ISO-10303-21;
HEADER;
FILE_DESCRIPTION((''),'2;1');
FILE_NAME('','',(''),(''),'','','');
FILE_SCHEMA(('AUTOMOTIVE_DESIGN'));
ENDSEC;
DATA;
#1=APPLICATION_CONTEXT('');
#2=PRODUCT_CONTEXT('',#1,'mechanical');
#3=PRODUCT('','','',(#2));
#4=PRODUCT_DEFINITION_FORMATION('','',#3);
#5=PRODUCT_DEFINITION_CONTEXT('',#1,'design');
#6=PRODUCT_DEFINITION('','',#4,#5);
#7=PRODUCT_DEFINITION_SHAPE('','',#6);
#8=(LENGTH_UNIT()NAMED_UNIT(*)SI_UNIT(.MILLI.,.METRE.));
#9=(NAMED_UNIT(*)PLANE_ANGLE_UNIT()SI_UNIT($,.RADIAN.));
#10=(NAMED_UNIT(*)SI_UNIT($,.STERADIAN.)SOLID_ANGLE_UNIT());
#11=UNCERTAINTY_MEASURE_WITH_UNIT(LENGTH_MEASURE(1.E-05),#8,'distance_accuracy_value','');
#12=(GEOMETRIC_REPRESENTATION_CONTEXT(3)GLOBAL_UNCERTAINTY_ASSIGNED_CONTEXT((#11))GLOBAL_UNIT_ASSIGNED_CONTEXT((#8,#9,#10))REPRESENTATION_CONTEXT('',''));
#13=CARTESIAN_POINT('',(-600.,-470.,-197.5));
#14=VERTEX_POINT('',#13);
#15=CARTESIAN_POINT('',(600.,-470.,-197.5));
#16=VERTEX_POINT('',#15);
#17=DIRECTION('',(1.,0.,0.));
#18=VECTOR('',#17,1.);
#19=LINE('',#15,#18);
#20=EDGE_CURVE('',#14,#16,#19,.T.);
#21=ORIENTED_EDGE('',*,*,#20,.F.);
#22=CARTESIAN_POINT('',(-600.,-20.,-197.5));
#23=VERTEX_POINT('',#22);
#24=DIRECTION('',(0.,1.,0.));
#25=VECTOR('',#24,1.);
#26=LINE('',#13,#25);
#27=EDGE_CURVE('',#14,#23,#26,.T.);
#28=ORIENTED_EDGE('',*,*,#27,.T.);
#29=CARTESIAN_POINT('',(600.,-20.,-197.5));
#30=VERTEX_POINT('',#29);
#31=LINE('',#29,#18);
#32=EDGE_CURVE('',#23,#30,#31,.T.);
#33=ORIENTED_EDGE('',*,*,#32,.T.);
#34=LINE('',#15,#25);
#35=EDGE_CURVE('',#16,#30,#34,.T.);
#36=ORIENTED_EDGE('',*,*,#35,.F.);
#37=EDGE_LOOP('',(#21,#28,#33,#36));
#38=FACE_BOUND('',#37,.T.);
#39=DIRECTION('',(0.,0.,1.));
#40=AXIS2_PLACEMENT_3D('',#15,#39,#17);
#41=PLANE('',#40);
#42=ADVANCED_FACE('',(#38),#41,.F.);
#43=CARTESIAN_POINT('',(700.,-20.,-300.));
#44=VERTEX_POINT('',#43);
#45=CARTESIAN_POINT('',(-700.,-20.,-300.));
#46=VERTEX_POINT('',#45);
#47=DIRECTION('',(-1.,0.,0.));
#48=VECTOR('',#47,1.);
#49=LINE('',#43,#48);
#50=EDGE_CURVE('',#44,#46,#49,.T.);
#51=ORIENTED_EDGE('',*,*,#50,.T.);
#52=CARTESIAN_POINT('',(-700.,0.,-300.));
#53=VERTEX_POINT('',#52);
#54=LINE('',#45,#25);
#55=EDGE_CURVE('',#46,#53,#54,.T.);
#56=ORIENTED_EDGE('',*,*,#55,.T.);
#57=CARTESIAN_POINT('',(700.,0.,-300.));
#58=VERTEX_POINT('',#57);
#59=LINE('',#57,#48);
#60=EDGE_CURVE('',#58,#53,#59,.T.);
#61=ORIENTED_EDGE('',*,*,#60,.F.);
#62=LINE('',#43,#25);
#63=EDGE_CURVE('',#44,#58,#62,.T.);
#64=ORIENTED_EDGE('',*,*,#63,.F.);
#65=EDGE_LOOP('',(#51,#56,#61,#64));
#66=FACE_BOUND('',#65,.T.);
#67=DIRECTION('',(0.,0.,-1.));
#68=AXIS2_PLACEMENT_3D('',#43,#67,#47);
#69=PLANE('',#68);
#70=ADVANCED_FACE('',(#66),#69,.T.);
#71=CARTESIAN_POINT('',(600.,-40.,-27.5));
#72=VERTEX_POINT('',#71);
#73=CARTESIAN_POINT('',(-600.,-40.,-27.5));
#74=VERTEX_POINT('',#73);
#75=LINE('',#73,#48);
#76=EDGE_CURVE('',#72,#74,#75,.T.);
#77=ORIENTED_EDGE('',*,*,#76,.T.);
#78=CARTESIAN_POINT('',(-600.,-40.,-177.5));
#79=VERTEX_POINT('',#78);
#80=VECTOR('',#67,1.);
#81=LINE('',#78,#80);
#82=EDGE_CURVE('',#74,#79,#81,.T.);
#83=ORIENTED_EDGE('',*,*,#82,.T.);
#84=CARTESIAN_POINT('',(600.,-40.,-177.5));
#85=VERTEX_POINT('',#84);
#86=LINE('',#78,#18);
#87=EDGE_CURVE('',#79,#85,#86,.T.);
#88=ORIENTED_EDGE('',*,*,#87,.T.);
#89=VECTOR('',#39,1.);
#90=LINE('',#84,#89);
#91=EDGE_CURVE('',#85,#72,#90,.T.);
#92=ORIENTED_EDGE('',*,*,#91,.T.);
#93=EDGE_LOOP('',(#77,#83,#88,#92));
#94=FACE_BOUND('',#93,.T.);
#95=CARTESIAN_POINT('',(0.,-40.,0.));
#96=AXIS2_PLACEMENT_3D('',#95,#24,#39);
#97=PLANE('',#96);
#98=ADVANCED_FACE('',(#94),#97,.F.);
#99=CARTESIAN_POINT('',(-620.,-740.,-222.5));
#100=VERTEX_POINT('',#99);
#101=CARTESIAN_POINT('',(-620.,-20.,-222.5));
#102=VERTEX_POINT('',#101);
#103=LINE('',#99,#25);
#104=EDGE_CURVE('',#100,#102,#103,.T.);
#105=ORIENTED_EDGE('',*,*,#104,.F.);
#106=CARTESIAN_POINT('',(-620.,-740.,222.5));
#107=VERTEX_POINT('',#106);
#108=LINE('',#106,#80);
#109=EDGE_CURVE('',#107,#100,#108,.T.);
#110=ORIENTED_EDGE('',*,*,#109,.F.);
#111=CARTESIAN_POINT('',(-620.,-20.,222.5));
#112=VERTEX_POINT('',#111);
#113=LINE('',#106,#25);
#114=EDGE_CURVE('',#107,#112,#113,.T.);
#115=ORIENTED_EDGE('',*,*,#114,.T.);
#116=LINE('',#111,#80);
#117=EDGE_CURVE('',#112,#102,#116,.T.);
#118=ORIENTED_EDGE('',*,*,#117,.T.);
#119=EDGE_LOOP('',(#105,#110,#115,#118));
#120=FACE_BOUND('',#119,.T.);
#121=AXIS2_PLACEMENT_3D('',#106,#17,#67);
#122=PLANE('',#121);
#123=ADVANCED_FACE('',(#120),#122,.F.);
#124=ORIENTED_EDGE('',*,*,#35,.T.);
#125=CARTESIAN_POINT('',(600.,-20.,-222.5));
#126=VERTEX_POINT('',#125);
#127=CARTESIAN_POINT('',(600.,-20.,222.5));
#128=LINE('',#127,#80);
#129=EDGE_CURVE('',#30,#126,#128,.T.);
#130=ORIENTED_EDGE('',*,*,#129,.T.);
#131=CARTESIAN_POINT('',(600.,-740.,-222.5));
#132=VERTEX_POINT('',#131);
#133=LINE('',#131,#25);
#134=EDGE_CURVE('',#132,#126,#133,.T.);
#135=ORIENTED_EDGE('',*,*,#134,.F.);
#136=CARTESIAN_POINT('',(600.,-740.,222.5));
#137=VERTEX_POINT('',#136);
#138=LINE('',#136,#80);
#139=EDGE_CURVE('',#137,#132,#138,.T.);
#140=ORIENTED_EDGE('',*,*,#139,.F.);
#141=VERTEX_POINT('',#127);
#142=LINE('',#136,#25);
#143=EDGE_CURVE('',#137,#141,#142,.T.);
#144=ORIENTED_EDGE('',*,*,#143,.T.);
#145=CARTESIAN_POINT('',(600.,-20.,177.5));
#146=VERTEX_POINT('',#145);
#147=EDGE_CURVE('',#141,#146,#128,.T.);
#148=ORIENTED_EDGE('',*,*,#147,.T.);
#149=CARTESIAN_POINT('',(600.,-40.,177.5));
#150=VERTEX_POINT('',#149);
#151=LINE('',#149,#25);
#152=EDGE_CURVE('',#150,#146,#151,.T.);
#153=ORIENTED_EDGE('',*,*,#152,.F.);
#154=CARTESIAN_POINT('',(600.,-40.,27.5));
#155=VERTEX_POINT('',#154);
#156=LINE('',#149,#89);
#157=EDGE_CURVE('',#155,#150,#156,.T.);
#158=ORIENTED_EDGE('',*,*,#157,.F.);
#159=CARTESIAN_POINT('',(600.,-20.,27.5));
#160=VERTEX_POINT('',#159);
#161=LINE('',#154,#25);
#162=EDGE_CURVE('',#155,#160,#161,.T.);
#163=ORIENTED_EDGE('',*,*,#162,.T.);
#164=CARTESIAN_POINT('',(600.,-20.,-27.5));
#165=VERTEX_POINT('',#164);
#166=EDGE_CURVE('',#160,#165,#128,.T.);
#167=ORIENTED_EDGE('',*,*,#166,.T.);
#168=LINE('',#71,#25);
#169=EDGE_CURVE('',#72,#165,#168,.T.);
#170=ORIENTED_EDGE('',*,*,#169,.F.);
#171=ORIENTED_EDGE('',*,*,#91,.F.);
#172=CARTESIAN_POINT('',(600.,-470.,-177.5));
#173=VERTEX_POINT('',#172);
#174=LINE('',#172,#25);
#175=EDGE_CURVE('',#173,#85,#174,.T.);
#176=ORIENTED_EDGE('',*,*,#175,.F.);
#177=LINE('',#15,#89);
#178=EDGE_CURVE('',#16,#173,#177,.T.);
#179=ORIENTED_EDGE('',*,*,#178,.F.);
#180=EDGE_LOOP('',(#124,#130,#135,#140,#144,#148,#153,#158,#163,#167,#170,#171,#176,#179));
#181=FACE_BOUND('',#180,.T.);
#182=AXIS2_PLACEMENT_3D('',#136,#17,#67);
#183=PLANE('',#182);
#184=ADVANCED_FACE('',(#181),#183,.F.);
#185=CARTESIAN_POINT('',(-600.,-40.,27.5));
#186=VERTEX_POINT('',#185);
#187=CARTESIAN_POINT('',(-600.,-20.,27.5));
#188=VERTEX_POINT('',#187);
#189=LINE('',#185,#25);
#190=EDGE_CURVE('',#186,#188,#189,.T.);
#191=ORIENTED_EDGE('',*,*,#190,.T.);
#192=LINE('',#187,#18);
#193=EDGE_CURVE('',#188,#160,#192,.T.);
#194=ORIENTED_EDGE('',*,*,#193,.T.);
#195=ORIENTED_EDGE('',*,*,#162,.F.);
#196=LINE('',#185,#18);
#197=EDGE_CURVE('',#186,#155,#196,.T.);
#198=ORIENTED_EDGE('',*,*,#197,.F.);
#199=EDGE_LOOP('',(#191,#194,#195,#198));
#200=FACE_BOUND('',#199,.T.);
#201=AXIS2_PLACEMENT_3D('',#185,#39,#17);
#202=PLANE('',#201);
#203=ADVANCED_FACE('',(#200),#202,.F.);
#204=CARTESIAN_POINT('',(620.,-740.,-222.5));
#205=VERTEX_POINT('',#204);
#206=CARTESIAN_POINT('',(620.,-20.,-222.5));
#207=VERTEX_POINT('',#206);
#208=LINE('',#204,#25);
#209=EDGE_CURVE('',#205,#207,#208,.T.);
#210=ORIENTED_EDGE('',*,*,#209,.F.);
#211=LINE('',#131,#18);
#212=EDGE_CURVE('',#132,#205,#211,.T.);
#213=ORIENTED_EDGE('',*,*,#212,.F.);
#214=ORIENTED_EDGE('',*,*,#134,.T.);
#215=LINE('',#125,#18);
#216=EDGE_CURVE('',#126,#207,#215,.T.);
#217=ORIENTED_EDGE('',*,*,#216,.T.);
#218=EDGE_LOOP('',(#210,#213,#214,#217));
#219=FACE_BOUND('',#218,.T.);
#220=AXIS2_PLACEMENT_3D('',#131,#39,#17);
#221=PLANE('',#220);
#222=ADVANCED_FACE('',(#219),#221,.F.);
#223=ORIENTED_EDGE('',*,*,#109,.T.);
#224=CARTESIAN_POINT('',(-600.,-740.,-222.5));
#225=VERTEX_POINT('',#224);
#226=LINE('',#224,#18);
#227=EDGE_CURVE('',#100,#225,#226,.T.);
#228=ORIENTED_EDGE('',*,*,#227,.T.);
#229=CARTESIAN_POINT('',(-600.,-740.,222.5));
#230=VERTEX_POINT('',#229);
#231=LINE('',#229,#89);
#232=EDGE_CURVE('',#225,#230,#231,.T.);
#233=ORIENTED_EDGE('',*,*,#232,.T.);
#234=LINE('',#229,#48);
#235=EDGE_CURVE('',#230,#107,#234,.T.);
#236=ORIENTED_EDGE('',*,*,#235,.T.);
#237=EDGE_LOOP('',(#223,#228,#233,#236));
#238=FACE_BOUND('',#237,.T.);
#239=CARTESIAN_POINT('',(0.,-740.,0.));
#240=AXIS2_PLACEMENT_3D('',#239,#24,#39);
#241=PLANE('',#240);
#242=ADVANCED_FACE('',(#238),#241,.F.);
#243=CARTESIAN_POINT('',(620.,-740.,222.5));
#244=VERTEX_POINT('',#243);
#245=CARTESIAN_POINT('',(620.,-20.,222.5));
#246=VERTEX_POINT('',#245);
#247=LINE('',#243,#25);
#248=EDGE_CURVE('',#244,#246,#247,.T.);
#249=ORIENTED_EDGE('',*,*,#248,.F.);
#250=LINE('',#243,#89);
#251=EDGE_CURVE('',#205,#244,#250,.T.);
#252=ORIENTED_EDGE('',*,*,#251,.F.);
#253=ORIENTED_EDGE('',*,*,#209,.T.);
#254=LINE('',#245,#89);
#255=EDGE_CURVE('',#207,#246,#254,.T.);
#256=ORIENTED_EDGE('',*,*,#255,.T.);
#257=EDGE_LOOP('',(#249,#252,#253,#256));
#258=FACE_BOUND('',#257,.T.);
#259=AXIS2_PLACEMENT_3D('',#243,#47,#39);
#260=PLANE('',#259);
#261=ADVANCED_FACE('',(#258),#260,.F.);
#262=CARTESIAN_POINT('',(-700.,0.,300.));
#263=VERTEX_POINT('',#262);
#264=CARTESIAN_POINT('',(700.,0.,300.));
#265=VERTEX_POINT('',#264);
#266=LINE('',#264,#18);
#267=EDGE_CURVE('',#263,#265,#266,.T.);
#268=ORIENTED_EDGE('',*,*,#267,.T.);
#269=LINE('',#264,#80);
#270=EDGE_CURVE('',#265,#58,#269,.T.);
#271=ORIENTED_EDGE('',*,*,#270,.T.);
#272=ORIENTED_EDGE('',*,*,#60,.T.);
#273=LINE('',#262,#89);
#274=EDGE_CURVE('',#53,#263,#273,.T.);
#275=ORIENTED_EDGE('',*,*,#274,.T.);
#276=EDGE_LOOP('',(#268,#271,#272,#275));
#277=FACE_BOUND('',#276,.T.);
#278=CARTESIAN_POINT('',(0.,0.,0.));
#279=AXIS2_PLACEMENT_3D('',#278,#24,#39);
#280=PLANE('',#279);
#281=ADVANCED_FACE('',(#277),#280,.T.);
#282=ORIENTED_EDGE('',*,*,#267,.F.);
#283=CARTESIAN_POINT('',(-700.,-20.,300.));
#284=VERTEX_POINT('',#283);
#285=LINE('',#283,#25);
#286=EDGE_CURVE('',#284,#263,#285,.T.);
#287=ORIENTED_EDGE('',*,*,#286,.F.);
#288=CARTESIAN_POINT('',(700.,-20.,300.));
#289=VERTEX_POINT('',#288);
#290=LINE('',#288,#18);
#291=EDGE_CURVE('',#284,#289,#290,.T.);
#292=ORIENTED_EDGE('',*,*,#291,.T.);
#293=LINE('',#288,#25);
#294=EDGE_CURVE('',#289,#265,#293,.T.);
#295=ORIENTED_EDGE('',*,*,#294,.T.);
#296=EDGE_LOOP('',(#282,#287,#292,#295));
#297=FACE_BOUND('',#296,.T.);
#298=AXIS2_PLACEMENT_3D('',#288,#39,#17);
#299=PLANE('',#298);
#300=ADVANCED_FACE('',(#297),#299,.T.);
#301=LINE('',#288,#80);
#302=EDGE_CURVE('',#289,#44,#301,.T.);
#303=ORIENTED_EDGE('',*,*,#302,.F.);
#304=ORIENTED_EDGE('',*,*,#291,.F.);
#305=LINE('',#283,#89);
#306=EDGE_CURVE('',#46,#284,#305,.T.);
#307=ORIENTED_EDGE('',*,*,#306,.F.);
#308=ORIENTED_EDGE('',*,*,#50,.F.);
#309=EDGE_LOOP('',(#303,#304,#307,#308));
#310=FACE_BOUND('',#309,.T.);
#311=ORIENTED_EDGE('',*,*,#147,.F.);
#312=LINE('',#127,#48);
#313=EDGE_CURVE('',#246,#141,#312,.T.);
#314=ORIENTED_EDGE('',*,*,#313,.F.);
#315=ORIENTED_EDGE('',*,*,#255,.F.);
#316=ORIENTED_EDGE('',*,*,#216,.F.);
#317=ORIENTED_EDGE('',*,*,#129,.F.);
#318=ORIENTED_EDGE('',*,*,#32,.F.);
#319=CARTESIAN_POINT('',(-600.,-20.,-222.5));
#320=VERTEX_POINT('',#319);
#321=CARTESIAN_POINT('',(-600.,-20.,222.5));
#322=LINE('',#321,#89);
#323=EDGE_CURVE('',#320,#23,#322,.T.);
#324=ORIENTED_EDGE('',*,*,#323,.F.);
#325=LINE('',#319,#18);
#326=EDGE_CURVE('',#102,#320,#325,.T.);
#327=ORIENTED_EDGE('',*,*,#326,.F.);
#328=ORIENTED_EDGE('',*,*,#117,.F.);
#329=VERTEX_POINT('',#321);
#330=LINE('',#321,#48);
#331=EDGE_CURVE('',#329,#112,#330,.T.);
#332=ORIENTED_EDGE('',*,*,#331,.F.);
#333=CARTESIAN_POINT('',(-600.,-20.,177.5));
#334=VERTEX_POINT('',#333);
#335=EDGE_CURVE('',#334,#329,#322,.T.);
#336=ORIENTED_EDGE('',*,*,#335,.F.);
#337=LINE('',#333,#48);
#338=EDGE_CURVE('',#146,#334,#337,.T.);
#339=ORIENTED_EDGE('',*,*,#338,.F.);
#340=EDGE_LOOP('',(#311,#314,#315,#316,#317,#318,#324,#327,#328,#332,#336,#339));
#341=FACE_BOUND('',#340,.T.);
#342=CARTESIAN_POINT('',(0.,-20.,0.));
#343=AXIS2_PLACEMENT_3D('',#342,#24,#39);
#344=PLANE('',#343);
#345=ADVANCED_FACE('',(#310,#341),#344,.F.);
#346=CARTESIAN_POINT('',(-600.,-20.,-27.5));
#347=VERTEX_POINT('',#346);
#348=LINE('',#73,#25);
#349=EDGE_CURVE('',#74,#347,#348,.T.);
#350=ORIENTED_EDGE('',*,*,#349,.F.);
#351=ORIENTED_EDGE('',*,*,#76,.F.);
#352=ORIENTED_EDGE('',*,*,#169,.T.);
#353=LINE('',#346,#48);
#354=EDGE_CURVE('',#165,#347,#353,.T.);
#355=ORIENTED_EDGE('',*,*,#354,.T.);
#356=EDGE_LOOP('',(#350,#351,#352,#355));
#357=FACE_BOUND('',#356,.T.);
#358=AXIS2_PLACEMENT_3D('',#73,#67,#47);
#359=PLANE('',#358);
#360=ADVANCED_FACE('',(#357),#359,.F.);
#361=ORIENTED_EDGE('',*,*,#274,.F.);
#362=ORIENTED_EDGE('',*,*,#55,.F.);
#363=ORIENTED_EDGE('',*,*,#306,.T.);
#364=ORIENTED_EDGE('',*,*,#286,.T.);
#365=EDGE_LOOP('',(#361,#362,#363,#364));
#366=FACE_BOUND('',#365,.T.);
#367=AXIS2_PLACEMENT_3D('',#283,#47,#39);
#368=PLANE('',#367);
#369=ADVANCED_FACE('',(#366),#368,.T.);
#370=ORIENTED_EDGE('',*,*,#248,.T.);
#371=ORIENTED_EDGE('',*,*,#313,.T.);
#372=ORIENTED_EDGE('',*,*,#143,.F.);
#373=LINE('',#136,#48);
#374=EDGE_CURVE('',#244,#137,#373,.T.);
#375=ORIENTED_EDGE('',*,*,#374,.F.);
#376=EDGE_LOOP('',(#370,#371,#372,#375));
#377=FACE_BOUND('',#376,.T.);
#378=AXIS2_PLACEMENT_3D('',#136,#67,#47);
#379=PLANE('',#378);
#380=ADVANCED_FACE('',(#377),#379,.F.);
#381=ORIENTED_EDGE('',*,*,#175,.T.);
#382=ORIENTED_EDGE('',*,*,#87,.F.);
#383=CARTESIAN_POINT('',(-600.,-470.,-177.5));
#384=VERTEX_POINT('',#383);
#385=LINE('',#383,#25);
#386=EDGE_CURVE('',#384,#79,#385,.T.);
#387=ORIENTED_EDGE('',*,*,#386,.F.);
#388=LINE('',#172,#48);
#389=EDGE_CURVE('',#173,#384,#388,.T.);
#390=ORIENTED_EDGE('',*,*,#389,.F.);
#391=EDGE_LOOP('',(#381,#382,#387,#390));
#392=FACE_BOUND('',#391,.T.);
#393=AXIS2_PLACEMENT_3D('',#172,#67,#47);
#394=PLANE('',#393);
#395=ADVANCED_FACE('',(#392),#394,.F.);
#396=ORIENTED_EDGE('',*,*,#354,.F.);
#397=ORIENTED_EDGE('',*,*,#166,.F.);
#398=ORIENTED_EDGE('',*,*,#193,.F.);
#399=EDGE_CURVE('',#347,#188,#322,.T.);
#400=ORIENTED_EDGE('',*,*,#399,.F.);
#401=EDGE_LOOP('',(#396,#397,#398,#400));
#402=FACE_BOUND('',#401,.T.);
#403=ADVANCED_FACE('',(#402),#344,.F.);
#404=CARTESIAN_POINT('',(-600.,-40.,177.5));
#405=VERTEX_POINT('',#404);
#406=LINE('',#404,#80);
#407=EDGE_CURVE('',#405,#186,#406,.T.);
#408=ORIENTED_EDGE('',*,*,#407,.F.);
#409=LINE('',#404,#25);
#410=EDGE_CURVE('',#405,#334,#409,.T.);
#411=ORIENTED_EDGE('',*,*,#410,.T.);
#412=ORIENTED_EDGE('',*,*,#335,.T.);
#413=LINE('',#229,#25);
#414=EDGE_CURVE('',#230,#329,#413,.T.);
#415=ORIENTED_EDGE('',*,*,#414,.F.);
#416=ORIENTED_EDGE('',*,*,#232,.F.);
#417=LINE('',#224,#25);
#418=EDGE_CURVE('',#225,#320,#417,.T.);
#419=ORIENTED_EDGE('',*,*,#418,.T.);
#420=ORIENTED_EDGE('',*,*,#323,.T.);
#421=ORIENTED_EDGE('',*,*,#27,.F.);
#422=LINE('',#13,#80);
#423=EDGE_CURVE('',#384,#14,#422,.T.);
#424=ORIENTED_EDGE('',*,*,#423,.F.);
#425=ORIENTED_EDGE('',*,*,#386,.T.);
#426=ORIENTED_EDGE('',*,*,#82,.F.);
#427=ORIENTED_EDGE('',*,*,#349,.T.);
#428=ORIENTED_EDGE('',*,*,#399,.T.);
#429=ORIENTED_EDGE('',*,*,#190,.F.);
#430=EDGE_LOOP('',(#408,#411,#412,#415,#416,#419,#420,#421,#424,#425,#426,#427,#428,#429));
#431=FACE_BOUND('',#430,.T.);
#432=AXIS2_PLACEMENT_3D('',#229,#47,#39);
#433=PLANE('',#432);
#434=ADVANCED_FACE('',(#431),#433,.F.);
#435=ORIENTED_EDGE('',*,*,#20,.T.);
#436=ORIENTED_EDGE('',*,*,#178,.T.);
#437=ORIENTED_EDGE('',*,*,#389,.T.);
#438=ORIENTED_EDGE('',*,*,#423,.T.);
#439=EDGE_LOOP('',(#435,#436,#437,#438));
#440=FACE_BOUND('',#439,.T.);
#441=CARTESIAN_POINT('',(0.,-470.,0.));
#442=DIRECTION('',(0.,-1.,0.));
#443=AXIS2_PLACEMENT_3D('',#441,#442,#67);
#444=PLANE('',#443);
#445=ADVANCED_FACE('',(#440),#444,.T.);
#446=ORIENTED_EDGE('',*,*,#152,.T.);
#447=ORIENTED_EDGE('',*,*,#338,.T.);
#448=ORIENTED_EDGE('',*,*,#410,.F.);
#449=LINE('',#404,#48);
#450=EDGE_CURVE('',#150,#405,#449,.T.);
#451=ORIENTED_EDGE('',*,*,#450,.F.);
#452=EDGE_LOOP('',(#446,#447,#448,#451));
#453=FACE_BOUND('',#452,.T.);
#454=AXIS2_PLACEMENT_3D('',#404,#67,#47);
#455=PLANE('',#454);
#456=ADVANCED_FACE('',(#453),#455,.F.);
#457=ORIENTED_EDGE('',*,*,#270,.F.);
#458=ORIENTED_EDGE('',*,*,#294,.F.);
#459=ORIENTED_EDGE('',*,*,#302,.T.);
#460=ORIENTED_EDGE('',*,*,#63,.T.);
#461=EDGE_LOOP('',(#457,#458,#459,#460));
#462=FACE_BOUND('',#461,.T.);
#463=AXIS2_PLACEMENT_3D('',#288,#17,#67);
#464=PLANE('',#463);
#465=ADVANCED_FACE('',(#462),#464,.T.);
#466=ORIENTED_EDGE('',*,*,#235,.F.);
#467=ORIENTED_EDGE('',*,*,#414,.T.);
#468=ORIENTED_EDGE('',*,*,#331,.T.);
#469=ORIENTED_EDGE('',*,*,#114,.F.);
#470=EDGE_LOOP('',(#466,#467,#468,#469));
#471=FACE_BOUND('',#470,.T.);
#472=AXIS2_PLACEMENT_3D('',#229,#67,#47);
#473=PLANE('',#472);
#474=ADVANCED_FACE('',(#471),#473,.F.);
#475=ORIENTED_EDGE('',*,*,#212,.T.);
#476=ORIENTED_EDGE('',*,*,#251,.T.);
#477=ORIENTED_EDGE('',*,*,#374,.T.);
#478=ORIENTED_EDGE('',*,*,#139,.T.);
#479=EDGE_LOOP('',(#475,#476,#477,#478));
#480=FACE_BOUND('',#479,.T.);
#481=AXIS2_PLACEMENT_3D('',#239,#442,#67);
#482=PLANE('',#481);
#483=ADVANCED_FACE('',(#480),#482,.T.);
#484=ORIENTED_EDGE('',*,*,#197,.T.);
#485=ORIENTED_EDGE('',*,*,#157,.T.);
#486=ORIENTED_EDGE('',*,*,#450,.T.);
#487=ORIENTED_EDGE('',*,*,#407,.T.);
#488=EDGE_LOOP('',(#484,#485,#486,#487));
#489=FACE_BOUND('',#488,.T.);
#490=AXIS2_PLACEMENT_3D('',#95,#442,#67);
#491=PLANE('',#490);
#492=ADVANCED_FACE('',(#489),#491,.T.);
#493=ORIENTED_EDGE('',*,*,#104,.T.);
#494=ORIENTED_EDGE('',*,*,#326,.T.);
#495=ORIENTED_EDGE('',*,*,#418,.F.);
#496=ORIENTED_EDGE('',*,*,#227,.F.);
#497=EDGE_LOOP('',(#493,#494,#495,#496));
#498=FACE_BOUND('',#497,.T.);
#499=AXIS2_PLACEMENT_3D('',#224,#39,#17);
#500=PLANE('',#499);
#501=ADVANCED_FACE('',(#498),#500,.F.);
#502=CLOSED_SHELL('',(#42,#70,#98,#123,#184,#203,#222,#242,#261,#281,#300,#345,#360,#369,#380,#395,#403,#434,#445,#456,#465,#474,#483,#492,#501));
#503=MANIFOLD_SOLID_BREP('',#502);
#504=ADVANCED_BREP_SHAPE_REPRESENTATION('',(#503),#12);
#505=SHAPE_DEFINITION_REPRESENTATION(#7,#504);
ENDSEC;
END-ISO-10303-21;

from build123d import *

# Parameters (mm, degrees)
SKETCH1_W           = 1400
SKETCH1_H           = 600
BOSS_EXTRUDE1_DEPTH = 20
SKETCH2_W           = 20
SKETCH2_H           = 445
BOSS_EXTRUDE2_DEPTH = 720
SKETCH3_W           = 1200
SKETCH3_H           = 20
BOSS_EXTRUDE3_DEPTH = 450
SKETCH4_W           = 1200
SKETCH4_H           = 150
BOSS_EXTRUDE4_DEPTH = 20


with BuildPart() as part:
    # Sketch1 → Boss-Extrude1 (new body)
    with BuildSketch(Plane(origin=(0, 0, 0), x_dir=(1, 0, 0), z_dir=(0, 1, 0))):
        Rectangle(SKETCH1_W, SKETCH1_H)
    extrude(amount=-BOSS_EXTRUDE1_DEPTH)

    # Sketch2 → Boss-Extrude2 (add)
    with BuildSketch(Plane.XZ.offset(20)):
        with Locations((610, 0)):
            Rectangle(SKETCH2_W, SKETCH2_H)
        with Locations((-610, 0)):
            Rectangle(SKETCH2_W, SKETCH2_H)
    extrude(amount=BOSS_EXTRUDE2_DEPTH)

    # Sketch3 → Boss-Extrude3 (add)
    with BuildSketch(Plane.XZ.offset(20)):
        with Locations((0, -187.5)):
            Rectangle(SKETCH3_W, SKETCH3_H)
    extrude(amount=BOSS_EXTRUDE3_DEPTH)

    # Sketch4 → Boss-Extrude4 (add)
    with BuildSketch(Plane.XZ.offset(20)):
        with Locations((0, -102.5)):
            Rectangle(SKETCH4_W, SKETCH4_H)
        with Locations((0, 102.5)):
            Rectangle(SKETCH4_W, SKETCH4_H)
    extrude(amount=BOSS_EXTRUDE4_DEPTH)


solid = part.part
